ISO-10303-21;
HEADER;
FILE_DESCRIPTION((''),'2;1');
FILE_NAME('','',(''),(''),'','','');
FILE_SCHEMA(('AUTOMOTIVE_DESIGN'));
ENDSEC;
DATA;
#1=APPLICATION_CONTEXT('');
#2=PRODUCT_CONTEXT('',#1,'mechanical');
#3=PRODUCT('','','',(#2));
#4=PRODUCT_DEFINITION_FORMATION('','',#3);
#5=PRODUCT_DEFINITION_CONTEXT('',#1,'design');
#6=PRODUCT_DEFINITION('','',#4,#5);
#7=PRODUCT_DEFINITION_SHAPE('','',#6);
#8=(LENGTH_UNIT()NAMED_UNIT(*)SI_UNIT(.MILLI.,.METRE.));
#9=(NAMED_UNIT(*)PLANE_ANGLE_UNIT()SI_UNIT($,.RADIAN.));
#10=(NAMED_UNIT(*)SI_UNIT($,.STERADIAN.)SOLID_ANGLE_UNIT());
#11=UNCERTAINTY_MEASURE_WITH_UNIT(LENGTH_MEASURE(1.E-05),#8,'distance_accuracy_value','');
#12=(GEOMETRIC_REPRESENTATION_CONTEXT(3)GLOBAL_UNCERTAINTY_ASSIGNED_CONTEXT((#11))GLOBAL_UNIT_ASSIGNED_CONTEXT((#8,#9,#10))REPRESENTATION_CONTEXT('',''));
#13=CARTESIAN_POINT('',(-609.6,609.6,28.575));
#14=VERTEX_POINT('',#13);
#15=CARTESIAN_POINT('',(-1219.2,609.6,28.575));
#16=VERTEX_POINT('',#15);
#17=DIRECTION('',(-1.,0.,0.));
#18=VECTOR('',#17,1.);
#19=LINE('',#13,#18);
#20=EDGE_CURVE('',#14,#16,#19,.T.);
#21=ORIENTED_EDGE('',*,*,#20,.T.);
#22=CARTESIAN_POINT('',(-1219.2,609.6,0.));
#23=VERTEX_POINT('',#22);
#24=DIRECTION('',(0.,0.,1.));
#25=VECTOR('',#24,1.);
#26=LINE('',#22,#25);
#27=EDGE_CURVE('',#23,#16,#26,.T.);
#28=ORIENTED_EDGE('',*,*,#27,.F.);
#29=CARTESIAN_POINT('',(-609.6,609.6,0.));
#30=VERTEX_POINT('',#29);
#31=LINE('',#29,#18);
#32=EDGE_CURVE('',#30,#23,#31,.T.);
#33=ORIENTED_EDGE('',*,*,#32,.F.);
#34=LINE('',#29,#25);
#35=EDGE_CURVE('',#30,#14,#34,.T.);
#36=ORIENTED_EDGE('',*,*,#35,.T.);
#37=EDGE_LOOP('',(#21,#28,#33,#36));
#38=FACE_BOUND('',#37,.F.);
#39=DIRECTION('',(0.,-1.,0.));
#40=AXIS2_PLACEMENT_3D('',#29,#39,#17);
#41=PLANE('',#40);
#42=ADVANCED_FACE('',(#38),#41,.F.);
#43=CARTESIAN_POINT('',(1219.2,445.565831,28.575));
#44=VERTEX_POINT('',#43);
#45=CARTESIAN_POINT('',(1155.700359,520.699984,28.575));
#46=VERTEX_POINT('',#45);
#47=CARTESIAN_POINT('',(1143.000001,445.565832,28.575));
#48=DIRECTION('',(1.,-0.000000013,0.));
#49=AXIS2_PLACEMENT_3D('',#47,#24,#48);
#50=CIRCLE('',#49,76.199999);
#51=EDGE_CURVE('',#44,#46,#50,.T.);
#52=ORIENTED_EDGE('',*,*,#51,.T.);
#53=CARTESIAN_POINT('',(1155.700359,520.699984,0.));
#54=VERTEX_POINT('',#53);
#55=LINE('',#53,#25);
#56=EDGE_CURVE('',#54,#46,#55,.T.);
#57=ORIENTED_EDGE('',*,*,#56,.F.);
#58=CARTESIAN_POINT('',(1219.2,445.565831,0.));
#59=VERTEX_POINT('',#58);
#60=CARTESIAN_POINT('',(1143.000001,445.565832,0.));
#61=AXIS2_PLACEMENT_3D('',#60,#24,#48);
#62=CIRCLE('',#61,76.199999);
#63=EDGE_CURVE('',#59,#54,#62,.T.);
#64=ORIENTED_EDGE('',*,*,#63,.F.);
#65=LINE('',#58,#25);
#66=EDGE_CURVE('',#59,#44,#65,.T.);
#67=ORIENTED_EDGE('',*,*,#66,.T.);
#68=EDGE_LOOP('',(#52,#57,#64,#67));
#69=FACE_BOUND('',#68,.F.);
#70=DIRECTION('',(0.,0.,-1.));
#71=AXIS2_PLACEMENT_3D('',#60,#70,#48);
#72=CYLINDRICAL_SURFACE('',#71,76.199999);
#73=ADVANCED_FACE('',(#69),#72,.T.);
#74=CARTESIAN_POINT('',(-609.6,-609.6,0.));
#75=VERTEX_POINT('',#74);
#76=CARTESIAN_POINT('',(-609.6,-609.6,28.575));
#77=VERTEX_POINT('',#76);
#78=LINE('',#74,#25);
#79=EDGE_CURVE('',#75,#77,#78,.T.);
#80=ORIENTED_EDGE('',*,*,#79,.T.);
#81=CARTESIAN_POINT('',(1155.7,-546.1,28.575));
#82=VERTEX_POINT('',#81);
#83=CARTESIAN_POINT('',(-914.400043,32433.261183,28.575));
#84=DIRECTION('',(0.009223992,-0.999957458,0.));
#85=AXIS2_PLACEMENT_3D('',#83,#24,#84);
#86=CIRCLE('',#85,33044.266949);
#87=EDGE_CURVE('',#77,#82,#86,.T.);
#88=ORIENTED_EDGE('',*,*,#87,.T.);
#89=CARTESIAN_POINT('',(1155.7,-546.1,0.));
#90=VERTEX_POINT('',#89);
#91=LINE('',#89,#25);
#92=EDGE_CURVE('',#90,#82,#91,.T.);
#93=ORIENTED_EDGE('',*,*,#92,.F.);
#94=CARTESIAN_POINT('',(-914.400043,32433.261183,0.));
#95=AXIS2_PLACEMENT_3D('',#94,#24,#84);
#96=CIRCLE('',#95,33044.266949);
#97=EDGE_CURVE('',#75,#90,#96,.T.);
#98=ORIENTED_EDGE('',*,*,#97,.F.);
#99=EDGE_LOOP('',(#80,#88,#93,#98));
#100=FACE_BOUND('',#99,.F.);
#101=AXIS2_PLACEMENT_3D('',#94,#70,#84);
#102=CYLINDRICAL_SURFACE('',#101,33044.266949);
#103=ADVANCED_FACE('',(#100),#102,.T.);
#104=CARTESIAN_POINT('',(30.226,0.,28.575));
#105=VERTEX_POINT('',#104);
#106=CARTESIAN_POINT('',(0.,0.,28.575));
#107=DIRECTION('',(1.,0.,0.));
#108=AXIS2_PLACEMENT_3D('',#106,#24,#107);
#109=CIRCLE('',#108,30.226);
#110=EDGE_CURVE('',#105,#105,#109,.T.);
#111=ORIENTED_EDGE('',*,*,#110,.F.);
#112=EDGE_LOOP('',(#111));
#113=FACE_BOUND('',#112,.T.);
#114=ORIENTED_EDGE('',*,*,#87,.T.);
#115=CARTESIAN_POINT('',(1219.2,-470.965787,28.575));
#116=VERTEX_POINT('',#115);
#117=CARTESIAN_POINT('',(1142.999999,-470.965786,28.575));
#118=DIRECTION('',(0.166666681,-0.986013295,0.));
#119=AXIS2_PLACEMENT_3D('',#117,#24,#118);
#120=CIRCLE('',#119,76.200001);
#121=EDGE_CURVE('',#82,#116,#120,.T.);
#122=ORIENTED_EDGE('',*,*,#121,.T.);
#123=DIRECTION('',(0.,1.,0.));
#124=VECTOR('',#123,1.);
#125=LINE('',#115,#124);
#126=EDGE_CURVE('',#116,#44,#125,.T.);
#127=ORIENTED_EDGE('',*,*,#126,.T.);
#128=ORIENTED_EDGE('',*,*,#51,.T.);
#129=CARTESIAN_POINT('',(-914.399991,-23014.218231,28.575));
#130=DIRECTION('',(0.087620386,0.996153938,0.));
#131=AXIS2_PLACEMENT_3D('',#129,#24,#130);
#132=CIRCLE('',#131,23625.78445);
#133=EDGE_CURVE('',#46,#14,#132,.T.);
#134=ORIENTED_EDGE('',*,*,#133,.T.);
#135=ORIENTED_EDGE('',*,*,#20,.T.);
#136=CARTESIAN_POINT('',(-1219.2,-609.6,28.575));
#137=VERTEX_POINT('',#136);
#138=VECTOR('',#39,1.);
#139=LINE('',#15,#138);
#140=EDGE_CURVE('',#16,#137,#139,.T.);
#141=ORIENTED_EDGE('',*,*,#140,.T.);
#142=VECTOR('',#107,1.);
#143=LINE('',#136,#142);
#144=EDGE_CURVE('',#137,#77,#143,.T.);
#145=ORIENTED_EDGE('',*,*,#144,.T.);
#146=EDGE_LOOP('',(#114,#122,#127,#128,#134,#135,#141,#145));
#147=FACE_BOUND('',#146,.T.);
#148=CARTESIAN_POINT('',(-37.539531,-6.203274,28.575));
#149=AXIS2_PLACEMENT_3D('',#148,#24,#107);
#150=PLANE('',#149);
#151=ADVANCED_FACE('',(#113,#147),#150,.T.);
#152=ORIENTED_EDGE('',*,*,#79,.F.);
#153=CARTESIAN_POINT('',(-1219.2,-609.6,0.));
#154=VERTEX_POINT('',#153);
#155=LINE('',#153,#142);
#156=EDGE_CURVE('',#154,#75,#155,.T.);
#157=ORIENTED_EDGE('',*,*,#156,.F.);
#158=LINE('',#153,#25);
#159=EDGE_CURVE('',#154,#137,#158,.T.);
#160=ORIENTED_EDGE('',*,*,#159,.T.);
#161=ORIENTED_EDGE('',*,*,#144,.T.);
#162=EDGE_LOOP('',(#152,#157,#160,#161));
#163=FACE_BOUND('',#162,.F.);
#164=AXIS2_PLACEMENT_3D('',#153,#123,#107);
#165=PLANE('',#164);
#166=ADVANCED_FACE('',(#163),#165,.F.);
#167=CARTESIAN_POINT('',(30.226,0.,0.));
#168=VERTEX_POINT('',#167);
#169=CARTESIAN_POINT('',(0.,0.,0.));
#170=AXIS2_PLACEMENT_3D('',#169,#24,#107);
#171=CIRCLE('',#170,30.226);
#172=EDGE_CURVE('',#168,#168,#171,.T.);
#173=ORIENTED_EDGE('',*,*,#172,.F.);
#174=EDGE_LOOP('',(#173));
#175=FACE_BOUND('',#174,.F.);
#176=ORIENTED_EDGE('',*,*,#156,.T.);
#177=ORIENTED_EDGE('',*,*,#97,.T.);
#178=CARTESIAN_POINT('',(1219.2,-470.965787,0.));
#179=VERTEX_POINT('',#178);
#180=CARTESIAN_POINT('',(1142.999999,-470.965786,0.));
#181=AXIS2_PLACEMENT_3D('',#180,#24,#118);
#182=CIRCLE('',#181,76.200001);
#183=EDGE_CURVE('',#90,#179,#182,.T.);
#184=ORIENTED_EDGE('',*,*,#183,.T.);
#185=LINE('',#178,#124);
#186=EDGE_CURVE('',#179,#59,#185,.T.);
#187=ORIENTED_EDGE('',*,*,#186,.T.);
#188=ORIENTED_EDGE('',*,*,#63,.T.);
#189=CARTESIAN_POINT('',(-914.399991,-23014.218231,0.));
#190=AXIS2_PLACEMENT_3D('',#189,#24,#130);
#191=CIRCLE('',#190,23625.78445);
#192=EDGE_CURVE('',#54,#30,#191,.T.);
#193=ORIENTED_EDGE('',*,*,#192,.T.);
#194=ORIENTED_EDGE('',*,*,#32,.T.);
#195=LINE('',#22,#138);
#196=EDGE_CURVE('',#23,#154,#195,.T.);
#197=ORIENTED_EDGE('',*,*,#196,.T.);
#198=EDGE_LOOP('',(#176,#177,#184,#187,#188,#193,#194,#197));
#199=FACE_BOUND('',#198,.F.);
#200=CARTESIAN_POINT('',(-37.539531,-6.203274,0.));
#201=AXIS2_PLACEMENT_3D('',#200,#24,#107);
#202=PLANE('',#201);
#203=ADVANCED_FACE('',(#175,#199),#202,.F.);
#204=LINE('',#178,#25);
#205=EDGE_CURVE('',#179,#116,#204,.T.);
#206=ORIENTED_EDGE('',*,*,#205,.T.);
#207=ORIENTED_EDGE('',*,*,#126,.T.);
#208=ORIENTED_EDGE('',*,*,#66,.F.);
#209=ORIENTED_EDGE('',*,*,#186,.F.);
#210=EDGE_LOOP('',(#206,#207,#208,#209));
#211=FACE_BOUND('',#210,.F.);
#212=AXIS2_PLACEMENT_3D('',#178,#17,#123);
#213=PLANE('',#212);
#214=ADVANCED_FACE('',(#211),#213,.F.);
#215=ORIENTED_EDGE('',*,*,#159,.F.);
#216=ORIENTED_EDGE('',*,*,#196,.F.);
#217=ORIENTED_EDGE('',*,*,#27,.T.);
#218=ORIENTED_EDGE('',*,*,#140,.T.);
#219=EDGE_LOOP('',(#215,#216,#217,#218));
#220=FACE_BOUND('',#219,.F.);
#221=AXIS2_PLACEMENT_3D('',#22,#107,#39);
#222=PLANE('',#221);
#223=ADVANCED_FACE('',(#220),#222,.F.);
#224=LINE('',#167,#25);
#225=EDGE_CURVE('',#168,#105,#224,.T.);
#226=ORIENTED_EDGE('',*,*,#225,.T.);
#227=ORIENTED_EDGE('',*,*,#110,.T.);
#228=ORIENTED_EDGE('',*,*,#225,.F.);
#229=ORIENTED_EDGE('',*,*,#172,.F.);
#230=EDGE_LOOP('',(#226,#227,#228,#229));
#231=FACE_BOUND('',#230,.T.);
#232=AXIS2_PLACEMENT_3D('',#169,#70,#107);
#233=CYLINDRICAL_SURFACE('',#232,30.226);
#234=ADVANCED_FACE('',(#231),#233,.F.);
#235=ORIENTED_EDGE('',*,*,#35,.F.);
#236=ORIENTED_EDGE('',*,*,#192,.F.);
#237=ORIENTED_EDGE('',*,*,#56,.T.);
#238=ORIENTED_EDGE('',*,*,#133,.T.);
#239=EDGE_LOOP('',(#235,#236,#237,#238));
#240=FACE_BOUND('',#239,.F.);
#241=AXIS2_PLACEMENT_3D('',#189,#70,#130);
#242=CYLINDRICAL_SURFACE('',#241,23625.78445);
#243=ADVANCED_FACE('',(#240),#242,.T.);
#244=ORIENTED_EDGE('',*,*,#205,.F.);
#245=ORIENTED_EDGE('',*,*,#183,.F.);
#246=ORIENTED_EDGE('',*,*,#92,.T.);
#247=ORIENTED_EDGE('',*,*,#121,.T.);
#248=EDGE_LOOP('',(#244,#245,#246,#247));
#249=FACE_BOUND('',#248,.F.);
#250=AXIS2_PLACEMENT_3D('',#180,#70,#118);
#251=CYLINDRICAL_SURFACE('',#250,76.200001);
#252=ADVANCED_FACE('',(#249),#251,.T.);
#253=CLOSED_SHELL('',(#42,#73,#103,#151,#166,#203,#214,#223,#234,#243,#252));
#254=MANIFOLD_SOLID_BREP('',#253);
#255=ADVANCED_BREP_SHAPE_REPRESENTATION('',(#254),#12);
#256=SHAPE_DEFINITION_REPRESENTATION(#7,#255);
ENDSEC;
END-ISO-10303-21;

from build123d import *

# Parameters (mm, degrees)
F0_R     = 30.226
F1_DEPTH = 28.575


with BuildPart() as f1:
    # F0 (on Top) → F1 (new body)
    with BuildSketch(Plane.XY):
        with BuildLine():
            Line((1219.2, -470.965787), (1219.2, 445.565831))
            ThreePointArc((1219.2, 445.565831), (1201.198829, 494.752581), (1155.700359, 520.699984))
            Line((1155.700359, 520.699984), (-1219.2, 609.6))
            Line((-1219.2, 609.6), (-1219.2, -609.6))
            Line((-1219.2, -609.6), (1155.7, -546.1))
            ThreePointArc((1155.7, -546.1), (1201.198711, -520.152675), (1219.2, -470.965787))
        make_face()
        Circle(F0_R, mode=Mode.SUBTRACT)
        with BuildLine():
            Line((-1219.2, 609.6), (1155.700359, 520.699984))
            ThreePointArc((1155.700359, 520.699984), (273.88184, 581.6644), (-609.6, 609.6))
            Line((-609.6, 609.6), (-1219.2, 609.6))
        make_face()
        with BuildLine():
            ThreePointArc((-609.6, -609.6), (273.474389, -589.648025), (1155.7, -546.1))
            Line((1155.7, -546.1), (-1219.2, -609.6))
            Line((-1219.2, -609.6), (-609.6, -609.6))
        make_face()
    extrude(amount=F1_DEPTH)


solid = f1.part
